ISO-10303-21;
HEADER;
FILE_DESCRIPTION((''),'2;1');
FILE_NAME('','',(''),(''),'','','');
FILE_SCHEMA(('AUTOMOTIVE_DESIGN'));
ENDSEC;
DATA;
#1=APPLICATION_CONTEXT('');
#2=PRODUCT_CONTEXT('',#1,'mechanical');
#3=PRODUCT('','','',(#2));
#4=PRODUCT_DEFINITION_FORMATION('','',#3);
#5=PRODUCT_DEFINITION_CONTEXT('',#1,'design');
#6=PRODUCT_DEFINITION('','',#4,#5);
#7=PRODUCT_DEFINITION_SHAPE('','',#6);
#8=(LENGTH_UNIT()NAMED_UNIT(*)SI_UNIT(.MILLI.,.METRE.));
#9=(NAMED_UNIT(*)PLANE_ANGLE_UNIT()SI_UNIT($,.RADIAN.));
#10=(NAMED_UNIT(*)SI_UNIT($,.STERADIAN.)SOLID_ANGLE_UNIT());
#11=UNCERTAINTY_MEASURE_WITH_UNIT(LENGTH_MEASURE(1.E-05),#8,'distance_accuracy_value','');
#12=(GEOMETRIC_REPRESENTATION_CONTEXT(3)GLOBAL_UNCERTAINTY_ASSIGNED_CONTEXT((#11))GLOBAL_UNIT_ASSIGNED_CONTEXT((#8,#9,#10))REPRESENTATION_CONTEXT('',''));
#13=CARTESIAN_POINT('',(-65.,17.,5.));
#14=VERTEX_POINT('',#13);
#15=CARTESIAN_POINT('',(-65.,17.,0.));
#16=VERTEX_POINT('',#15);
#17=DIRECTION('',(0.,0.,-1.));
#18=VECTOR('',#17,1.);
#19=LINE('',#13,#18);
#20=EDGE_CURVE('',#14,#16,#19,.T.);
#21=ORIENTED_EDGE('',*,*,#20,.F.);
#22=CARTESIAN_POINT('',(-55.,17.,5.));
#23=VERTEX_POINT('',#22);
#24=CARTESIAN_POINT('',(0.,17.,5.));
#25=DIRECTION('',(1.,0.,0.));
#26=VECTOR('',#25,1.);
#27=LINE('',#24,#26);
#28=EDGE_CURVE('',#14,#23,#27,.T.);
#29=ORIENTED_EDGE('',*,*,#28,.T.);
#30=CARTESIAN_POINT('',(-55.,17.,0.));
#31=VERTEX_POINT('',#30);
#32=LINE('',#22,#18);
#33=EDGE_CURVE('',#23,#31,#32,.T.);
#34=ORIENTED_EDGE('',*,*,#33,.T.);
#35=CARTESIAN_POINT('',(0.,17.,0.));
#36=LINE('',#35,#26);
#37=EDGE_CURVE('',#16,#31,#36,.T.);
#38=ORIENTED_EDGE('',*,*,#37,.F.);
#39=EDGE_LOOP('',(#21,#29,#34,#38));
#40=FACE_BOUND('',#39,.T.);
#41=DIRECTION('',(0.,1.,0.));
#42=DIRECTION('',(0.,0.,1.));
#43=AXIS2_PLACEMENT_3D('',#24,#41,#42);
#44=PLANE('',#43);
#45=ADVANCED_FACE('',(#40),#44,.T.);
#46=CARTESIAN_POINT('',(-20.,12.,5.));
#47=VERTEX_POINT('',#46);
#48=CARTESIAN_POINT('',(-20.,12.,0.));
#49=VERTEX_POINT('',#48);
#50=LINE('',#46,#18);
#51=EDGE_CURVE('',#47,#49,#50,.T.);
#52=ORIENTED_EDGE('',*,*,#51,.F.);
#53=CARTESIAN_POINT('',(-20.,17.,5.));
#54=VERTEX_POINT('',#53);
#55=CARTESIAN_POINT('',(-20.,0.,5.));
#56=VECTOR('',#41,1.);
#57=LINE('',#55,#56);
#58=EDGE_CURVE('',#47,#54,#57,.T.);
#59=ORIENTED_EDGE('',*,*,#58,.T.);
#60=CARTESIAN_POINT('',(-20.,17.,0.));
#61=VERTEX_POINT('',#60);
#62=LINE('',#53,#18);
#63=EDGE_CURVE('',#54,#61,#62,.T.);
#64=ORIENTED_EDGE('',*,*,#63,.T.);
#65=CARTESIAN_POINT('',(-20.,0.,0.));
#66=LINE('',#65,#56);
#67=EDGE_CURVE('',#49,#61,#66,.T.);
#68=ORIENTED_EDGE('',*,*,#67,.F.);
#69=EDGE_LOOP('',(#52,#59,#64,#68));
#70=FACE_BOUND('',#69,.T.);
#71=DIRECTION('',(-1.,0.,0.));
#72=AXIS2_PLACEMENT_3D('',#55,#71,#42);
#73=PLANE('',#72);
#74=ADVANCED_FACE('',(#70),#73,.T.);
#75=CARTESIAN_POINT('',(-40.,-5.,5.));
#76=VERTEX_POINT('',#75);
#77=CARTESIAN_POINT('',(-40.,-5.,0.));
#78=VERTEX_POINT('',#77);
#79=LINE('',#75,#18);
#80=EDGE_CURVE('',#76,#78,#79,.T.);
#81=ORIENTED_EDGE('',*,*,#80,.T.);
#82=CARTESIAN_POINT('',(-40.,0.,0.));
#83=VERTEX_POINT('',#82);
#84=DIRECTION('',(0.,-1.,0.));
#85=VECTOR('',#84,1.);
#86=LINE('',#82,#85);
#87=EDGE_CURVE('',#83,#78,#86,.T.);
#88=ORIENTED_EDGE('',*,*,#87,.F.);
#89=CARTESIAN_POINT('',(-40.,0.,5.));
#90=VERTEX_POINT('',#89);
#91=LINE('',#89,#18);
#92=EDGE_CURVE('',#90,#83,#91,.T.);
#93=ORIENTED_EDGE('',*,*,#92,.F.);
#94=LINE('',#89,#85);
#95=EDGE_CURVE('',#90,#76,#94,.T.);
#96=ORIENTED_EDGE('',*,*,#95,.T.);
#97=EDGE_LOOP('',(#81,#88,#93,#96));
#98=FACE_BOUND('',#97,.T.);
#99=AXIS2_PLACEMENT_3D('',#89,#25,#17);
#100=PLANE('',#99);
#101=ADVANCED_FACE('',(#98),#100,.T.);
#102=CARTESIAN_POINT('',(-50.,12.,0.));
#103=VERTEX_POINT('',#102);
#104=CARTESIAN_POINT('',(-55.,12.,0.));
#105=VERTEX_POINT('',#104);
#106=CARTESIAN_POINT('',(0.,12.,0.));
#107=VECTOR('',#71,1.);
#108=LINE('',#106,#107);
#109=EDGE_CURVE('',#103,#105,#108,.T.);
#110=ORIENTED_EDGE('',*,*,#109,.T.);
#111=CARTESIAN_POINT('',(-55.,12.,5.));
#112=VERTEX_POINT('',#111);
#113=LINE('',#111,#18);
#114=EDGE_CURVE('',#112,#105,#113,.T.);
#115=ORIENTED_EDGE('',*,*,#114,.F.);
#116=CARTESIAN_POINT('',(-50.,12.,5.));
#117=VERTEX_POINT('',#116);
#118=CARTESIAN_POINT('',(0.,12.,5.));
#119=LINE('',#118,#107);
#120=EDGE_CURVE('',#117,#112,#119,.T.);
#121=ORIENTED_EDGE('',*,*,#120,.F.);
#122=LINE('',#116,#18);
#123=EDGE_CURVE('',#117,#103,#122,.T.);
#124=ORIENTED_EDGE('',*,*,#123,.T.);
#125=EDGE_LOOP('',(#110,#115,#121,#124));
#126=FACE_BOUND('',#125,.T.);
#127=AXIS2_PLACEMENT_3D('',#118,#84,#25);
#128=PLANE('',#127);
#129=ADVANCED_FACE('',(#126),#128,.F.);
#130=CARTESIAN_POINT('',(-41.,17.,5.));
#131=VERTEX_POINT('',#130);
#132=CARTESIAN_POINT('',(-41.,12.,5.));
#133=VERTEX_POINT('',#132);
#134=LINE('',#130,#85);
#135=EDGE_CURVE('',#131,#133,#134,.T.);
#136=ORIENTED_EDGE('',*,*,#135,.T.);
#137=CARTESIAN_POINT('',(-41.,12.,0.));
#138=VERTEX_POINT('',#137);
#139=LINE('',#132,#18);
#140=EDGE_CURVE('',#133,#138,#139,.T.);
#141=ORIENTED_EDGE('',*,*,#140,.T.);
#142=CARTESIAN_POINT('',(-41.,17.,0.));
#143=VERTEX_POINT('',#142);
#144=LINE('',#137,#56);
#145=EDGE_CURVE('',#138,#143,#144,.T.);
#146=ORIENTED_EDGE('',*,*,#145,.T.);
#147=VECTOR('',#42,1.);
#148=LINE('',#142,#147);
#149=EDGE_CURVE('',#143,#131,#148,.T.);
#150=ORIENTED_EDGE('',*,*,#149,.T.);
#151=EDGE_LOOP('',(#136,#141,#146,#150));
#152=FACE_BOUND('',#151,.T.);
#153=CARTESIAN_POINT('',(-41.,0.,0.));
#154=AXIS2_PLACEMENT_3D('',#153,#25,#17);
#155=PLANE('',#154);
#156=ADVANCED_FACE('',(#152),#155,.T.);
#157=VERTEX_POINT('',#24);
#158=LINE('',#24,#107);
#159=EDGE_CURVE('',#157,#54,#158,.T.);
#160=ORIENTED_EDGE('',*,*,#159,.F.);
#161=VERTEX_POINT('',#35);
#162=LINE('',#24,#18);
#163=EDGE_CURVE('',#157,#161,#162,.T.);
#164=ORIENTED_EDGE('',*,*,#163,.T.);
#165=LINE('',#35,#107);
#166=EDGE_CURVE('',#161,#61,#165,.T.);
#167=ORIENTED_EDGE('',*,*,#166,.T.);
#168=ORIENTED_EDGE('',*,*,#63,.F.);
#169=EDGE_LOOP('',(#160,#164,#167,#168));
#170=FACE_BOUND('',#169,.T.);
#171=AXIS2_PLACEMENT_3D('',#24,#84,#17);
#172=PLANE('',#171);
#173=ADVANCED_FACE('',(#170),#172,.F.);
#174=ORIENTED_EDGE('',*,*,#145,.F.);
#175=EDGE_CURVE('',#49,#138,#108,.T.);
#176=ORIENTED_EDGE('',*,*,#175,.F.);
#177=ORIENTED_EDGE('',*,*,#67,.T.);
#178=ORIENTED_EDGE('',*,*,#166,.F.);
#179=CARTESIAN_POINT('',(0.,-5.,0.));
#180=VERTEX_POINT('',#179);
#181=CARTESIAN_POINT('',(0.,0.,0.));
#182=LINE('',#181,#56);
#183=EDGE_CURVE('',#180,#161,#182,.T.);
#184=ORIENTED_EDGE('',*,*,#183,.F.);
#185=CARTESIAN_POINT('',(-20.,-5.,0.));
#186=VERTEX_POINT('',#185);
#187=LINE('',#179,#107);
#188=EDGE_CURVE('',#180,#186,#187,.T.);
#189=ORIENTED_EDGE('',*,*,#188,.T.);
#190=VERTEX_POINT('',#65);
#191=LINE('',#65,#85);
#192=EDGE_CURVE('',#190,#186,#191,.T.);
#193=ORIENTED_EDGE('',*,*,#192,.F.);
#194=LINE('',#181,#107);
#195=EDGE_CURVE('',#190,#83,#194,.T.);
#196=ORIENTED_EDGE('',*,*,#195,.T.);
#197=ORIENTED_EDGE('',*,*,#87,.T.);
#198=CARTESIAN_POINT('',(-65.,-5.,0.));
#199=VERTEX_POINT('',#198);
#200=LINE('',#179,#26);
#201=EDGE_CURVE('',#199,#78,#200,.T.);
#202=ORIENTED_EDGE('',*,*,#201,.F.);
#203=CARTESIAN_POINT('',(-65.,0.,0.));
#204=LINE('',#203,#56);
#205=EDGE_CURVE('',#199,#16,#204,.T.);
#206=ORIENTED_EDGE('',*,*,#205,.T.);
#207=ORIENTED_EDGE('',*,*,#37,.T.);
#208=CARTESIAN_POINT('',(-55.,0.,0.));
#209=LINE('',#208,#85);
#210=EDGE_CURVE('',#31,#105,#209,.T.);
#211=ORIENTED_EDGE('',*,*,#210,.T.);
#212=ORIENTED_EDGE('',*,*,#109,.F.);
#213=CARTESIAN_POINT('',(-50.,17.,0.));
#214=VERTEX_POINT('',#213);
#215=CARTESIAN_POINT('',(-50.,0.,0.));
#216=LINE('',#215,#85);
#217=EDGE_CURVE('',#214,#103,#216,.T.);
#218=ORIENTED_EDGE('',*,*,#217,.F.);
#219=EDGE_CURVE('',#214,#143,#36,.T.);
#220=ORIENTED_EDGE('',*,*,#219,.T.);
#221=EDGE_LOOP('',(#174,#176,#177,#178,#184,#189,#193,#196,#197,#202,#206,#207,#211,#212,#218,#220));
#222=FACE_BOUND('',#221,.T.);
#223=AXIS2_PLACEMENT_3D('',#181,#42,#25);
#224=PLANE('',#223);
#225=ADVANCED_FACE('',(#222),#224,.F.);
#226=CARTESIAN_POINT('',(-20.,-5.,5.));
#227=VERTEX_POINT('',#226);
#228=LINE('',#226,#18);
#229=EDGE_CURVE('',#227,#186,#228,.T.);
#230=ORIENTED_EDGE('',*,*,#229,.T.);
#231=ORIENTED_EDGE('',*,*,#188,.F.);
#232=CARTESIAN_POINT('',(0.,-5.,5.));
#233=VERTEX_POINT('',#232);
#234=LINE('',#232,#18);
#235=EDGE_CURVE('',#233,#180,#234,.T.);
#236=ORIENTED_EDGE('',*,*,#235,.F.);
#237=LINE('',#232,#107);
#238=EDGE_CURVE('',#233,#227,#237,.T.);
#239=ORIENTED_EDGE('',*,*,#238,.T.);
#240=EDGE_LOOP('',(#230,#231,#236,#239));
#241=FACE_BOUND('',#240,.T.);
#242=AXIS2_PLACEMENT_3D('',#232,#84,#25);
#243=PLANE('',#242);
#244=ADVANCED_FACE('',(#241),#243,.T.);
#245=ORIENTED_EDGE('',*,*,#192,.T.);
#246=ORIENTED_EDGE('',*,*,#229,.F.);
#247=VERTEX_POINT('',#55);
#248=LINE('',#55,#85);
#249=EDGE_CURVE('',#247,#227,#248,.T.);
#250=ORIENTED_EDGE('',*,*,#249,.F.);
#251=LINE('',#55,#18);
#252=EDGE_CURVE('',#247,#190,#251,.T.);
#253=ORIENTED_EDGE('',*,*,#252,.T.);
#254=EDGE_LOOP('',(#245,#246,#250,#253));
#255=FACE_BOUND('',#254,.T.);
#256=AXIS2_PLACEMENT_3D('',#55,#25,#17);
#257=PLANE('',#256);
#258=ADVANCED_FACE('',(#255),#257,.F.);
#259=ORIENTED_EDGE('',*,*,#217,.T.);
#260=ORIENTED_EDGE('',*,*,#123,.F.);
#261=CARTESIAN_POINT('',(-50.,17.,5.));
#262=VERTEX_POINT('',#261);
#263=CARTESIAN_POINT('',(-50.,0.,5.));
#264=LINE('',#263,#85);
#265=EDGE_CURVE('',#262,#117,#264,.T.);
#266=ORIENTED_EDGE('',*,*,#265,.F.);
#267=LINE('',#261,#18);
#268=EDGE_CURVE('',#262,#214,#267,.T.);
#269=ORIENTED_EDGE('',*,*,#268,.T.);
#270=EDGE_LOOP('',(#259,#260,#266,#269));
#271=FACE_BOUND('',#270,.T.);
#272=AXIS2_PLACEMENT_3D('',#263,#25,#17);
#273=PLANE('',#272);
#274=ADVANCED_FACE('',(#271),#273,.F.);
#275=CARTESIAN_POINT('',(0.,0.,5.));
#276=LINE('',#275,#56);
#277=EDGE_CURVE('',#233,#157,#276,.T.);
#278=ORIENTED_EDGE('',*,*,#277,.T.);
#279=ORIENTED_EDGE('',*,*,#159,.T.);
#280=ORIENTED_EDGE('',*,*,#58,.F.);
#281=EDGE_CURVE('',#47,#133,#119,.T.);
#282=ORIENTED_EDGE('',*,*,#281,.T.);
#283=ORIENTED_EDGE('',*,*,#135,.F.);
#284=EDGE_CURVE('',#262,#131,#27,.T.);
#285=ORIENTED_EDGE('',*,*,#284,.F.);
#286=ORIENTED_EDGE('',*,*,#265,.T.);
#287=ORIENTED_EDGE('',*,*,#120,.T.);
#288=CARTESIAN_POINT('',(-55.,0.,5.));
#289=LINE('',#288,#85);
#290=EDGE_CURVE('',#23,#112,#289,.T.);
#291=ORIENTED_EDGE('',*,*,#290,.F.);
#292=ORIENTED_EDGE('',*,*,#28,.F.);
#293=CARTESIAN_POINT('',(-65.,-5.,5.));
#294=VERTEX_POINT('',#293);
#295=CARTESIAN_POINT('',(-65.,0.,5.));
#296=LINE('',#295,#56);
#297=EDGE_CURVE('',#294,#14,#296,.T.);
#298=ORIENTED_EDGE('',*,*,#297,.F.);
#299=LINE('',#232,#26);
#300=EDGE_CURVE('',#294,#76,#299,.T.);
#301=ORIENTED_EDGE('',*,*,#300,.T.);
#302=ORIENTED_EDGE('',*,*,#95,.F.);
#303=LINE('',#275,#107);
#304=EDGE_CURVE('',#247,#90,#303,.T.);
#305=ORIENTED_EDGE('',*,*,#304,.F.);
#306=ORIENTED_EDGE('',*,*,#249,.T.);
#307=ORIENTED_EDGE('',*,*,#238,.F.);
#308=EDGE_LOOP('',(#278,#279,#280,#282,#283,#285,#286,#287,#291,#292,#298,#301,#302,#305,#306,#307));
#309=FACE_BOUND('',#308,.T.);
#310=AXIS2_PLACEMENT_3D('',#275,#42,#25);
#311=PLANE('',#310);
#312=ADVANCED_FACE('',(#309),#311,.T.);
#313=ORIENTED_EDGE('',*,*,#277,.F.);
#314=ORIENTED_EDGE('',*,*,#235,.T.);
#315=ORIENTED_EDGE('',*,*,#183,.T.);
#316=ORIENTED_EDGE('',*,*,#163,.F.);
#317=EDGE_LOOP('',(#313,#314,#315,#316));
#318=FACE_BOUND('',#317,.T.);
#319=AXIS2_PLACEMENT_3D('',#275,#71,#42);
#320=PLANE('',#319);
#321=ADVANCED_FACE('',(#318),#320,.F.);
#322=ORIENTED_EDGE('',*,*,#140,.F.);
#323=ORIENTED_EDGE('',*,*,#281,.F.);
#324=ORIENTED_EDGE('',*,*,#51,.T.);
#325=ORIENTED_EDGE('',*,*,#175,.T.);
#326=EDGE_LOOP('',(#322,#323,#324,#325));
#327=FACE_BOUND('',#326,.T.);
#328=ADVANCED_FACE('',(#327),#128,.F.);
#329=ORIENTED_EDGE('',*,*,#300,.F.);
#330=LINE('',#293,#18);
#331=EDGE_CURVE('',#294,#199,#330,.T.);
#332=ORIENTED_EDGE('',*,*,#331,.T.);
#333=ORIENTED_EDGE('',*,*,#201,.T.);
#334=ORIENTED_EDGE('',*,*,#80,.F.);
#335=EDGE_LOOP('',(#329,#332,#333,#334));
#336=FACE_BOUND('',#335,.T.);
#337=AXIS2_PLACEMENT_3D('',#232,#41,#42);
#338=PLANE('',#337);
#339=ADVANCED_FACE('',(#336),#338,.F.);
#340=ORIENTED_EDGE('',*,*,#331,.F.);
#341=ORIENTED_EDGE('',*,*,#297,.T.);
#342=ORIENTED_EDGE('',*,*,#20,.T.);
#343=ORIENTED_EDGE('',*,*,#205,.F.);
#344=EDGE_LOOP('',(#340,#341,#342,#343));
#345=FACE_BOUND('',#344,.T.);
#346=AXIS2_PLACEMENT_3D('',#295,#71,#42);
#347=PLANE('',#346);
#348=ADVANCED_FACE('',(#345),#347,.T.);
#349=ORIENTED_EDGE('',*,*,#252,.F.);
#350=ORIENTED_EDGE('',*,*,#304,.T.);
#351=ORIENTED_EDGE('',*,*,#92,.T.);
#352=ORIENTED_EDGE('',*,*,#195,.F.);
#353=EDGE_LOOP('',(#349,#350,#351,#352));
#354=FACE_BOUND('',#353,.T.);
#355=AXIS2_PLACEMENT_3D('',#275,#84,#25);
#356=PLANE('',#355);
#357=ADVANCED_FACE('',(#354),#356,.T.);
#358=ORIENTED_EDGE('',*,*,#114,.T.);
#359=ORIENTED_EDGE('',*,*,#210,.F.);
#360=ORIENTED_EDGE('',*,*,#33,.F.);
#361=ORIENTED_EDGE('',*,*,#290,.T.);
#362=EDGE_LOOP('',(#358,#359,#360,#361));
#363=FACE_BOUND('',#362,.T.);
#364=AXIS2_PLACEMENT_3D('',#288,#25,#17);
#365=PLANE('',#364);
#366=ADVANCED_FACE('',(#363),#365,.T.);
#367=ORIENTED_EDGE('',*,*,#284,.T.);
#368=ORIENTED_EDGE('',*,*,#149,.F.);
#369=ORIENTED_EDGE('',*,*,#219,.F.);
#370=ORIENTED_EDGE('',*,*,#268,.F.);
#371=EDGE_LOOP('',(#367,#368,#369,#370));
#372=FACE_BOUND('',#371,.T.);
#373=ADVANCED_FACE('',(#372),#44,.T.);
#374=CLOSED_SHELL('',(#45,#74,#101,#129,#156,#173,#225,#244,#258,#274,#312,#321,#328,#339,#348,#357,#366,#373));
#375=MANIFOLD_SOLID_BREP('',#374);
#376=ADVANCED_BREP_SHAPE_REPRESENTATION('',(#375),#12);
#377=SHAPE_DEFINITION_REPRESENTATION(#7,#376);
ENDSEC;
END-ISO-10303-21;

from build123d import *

# Parameters (mm, degrees)
SKETCH1_W           = 10
SKETCH1_H           = 5
SKETCH1_W_2         = 25
SKETCH1_W_3         = 20
BOSS_EXTRUDE1_DEPTH = 5
SKETCH2_W           = 5
SKETCH2_H           = 5
CUT_EXTRUDE1_DEPTH  = 1


with BuildPart() as part:
    # Sketch1 → Boss-Extrude1 (new body)
    with BuildSketch(Plane.XY):
        Polygon((-20, 0), (0, 0), (0, 12), (-20, 12), (-40, 12), (-50, 12), (-55, 12), (-65, 12), (-65, 0), (-40, 0), align=None)
        with Locations((-60, 14.5)):
            Rectangle(SKETCH1_W, SKETCH1_H)
        with Locations((-45, 14.5)):
            Rectangle(SKETCH1_W, SKETCH1_H)
        with Locations((-52.5, -2.5)):
            Rectangle(SKETCH1_W_2, SKETCH1_H)
        with Locations((-10, -2.5)):
            Rectangle(SKETCH1_W_3, SKETCH1_H)
        with Locations((-10, 14.5)):
            Rectangle(SKETCH1_W_3, SKETCH1_H)
    extrude(amount=BOSS_EXTRUDE1_DEPTH)

    # Sketch2 → Cut-Extrude1 (cut)
    with BuildSketch(Plane(origin=(-40, 0, 0), x_dir=(0, 0, -1), z_dir=(1, 0, 0))):
        with Locations((-2.5, 14.5)):
            Rectangle(SKETCH2_W, SKETCH2_H)
    extrude(amount=-CUT_EXTRUDE1_DEPTH, mode=Mode.SUBTRACT)


solid = part.part
